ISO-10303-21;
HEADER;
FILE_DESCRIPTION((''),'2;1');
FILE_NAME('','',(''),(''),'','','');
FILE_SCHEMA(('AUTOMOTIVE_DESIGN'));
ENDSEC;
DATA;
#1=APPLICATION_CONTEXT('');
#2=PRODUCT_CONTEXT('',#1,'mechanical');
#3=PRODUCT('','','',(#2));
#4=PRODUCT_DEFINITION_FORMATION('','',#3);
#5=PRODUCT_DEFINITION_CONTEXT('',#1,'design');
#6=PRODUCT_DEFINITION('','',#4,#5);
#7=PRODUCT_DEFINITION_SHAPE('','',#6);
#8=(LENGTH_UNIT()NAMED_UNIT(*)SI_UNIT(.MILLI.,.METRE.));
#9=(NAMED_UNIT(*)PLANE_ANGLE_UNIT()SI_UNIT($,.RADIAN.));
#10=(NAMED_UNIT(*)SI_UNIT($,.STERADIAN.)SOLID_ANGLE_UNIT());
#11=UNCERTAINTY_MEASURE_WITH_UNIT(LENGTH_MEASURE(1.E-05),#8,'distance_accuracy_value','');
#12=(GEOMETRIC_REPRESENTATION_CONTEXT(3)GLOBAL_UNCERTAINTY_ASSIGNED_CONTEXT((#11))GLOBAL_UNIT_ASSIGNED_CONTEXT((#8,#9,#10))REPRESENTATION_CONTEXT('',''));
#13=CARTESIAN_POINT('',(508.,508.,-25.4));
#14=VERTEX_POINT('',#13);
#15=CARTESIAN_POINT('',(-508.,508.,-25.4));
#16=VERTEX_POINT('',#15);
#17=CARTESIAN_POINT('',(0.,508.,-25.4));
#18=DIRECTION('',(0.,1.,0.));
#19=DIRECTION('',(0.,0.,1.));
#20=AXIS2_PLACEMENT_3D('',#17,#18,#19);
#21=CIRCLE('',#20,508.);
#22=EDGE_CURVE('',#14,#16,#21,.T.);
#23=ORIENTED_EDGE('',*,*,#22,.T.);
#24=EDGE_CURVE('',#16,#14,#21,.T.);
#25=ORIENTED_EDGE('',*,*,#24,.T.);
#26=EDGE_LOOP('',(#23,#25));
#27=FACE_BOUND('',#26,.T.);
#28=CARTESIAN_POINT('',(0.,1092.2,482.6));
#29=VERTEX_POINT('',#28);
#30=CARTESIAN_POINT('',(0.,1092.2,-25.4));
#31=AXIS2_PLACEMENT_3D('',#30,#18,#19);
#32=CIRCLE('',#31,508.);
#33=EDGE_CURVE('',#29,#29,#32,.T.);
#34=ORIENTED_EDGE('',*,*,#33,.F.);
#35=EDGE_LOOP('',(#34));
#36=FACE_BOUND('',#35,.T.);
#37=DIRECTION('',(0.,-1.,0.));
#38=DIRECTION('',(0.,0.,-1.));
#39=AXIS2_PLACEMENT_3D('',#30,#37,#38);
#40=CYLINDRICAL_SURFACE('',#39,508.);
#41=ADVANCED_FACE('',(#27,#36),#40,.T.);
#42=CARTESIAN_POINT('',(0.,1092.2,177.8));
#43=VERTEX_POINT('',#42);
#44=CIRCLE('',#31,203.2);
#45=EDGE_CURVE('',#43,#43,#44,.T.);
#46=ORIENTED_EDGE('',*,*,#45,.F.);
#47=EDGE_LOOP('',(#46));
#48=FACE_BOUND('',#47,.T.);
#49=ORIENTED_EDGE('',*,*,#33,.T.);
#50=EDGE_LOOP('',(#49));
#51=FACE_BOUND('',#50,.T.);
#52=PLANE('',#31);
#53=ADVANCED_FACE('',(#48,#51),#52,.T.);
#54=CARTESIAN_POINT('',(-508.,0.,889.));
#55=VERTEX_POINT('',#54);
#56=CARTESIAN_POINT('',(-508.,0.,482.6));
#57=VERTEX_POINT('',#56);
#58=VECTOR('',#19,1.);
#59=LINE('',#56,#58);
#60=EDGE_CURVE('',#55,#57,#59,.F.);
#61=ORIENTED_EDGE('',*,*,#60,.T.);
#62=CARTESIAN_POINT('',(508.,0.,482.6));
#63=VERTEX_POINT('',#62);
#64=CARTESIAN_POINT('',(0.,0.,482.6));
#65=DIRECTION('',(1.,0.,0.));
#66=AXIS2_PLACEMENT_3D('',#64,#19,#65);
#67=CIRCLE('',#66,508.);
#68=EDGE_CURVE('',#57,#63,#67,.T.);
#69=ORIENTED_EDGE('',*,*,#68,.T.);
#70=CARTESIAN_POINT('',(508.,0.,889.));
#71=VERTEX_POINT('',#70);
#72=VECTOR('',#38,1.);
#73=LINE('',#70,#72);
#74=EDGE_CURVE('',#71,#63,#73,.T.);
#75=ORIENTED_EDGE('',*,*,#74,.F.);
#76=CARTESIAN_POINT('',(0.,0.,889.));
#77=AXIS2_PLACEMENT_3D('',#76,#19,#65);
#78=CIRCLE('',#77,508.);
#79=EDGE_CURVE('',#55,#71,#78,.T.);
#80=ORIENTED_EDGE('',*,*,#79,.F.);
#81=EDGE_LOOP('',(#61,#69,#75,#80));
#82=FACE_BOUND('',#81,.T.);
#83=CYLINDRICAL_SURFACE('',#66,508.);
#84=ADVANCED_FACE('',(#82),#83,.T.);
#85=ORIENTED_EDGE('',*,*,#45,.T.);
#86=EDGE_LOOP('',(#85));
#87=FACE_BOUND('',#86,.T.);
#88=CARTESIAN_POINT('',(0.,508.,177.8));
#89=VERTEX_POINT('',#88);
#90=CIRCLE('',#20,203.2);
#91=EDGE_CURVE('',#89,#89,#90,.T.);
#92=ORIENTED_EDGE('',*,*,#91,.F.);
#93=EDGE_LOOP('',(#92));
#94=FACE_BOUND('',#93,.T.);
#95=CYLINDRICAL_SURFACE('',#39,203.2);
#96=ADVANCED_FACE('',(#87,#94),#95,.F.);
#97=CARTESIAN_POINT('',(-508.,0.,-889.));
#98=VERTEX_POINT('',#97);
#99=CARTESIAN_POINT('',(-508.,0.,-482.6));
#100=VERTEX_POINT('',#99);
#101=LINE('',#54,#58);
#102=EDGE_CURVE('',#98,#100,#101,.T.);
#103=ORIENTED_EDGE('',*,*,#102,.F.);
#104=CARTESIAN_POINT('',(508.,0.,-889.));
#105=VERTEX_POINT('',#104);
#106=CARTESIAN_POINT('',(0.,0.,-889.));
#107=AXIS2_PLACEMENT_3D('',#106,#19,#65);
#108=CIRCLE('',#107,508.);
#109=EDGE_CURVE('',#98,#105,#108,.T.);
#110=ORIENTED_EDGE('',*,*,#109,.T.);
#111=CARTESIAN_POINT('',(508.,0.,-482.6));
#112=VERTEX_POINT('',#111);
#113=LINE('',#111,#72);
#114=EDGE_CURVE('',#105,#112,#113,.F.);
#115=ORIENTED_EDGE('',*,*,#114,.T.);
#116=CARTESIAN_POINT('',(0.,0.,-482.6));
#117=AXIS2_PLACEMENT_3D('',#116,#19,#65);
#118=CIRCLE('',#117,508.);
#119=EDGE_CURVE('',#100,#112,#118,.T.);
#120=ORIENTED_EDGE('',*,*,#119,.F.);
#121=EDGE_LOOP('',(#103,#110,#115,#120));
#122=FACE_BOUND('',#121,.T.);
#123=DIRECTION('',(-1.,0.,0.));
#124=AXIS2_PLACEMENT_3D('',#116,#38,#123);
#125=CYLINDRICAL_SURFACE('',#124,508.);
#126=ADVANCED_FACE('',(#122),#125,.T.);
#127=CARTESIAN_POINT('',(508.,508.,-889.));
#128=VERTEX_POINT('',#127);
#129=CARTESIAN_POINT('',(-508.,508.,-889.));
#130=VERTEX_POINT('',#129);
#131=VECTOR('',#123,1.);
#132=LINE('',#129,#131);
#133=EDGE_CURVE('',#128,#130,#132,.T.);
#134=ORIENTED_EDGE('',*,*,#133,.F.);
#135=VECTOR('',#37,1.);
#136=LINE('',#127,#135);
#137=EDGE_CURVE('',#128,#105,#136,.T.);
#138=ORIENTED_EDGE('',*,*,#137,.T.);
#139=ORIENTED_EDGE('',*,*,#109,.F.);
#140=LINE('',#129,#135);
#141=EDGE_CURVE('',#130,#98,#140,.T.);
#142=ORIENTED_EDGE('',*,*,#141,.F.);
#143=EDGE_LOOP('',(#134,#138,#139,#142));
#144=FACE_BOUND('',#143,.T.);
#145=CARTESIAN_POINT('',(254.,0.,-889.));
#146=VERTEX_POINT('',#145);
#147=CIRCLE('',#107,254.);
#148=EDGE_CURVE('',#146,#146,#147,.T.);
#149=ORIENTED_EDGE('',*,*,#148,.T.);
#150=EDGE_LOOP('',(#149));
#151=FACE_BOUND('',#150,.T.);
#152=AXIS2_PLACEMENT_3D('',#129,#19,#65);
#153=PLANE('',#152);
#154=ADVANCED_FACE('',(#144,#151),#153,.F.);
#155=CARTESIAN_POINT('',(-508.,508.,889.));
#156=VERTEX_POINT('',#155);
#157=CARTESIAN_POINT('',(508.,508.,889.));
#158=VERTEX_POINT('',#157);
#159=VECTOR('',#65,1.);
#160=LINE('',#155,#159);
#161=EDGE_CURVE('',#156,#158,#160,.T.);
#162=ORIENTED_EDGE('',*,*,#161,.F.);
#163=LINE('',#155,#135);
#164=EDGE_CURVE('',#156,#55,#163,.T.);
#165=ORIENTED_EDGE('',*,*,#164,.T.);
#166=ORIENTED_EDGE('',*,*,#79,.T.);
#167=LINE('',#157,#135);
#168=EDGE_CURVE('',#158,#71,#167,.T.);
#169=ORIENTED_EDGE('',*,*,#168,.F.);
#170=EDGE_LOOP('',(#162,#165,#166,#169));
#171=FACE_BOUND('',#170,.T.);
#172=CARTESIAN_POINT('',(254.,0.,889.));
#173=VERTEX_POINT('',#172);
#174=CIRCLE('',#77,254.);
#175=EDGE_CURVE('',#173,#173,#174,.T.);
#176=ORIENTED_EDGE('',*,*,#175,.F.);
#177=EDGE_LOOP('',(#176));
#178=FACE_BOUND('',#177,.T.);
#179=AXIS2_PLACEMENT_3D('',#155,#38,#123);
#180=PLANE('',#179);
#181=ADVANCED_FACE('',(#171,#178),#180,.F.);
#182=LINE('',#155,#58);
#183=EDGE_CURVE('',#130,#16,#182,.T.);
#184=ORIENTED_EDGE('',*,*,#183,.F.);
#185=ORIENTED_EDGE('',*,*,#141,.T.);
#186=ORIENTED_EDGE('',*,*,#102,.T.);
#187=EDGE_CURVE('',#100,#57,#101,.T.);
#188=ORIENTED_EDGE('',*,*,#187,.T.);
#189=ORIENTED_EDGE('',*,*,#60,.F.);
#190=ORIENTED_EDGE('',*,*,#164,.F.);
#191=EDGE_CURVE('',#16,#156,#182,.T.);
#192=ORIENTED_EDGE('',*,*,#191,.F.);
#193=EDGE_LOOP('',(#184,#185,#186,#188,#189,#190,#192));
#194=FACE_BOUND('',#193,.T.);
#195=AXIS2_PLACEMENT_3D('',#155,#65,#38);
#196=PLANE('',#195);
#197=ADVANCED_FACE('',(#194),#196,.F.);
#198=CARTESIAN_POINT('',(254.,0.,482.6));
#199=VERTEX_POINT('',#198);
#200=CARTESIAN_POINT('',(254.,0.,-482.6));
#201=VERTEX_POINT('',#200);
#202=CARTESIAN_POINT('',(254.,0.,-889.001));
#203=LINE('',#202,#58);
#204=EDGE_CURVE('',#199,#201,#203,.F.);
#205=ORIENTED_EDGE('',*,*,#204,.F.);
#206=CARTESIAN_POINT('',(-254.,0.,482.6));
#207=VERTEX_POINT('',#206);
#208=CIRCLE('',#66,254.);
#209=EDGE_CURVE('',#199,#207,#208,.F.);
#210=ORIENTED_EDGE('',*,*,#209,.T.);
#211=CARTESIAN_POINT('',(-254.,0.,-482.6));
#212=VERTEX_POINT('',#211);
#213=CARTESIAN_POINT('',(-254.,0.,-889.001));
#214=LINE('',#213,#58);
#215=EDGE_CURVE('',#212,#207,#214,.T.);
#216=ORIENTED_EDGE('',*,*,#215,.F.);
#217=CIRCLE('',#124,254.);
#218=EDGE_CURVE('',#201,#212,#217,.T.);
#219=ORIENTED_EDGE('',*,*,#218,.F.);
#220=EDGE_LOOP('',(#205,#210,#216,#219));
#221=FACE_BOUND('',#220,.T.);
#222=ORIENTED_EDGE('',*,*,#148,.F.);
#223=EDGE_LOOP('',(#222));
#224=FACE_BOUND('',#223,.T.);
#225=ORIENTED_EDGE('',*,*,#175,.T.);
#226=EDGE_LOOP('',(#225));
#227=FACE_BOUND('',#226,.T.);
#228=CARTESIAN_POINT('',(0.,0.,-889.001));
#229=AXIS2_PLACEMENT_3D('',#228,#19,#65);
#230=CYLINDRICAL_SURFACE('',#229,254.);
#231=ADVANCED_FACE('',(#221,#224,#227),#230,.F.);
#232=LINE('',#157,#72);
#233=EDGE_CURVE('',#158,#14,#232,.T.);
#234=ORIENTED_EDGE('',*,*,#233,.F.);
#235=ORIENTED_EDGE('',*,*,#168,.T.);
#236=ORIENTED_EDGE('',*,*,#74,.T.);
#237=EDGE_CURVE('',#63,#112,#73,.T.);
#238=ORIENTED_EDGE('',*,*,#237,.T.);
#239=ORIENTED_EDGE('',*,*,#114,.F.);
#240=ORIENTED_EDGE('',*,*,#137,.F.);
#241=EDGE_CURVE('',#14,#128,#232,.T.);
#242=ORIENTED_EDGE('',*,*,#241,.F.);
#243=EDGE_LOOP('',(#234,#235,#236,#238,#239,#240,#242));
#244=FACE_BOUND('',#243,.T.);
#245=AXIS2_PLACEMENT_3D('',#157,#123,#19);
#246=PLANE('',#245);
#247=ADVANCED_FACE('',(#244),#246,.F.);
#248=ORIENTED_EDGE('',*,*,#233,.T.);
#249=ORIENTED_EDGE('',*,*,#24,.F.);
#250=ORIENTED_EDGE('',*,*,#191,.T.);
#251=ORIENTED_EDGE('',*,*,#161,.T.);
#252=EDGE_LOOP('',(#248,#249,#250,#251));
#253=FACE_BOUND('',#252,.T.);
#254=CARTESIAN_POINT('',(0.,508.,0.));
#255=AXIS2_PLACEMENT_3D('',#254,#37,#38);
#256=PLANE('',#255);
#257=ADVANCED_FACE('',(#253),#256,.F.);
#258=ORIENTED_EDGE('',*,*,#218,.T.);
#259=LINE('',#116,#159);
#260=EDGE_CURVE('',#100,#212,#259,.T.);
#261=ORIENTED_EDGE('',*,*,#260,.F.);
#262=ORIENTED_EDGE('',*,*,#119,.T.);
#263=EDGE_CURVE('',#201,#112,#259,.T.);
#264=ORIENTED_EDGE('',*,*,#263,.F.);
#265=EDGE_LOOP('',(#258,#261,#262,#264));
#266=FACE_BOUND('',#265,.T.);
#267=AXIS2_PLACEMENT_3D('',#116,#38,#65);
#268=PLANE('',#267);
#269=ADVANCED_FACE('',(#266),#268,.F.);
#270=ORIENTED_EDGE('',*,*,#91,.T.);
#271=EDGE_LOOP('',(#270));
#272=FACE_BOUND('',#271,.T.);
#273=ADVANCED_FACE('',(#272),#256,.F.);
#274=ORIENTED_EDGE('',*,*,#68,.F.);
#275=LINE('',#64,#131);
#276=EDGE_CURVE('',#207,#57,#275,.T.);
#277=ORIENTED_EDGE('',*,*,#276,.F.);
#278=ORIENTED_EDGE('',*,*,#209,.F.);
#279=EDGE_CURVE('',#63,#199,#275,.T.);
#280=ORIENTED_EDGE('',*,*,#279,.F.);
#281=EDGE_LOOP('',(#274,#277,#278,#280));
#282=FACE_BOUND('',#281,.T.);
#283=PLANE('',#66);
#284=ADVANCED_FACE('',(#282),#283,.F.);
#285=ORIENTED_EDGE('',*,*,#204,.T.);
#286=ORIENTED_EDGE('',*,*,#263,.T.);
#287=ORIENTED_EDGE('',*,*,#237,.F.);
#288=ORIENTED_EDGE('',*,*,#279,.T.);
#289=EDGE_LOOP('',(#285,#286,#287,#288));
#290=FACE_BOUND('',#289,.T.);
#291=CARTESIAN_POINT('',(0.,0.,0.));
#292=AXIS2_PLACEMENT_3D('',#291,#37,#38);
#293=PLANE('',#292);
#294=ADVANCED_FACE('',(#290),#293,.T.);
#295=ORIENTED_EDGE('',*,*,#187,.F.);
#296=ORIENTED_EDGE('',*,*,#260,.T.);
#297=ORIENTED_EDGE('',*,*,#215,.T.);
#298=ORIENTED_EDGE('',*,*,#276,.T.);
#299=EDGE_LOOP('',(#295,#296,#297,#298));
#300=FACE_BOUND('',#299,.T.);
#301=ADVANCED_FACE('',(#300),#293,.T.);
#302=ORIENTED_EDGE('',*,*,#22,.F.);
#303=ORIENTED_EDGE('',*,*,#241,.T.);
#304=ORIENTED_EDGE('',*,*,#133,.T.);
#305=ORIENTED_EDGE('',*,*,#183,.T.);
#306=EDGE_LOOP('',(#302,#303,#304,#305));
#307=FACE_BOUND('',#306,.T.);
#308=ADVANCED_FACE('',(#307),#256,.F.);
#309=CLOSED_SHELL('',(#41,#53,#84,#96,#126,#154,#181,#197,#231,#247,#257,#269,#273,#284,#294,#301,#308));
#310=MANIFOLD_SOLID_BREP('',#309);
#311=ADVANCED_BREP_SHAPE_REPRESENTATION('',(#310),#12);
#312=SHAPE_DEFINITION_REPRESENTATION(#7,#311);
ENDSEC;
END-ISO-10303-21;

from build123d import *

# Parameters (mm, degrees)
SKETCH1_W           = 1016
SKETCH1_H           = 1778
BOSS_EXTRUDE1_DEPTH = 508
SKETCH2_R           = 508
SKETCH2_R_2         = 203.2
BOSS_EXTRUDE2_DEPTH = 584.2
SKETCH3_R           = 508
BOSS_EXTRUDE3_DEPTH = 406.4
CUT_EXTRUDE1_REACH  = 2149.615
SKETCH5_R           = 254


with BuildPart() as part:
    # Sketch1 → Boss-Extrude1 (new body)
    with BuildSketch(Plane(origin=(0, 0, 0), x_dir=(1, 0, 0), z_dir=(0, 1, 0))):
        Rectangle(SKETCH1_W, SKETCH1_H)
    extrude(amount=BOSS_EXTRUDE1_DEPTH)

    # Sketch2 → Boss-Extrude2 (add)
    with BuildSketch(Plane(origin=(0, 508, 0), x_dir=(1, 0, 0), z_dir=(0, 1, 0))):
        with Locations(Location((0, 25.4, 0), (0, 0, 180))):
            Circle(SKETCH2_R)
        with Locations(Location((0, 25.4, 0), (0, 0, 270))):
            Circle(SKETCH2_R_2, mode=Mode.SUBTRACT)
    extrude(amount=BOSS_EXTRUDE2_DEPTH)

    # Sketch3 → Boss-Extrude3 (add)
    with BuildSketch(Plane.XY.offset(889)):
        Circle(SKETCH3_R)
    boss_extrude3 = extrude(amount=-BOSS_EXTRUDE3_DEPTH)

    # Sketch5 → Cut-Extrude1 (cut, up to next)
    with BuildSketch(Plane.XY.offset(889), mode=Mode.PRIVATE) as cut_extrude1_sk1:
        Circle(SKETCH5_R)
    cut_extrude1_tool1 = extrude(cut_extrude1_sk1.sketch, amount=-CUT_EXTRUDE1_REACH, mode=Mode.PRIVATE) & part.part
    cut_extrude1 = cut_extrude1_tool1.solids().sort_by_distance((0, 0, 889))[0]
    add(cut_extrude1, mode=Mode.SUBTRACT)

    # Mirror1: Boss-Extrude3, Cut-Extrude1 across plane
    add(boss_extrude3.mirror(Plane.XY))
    add(cut_extrude1.mirror(Plane.XY), mode=Mode.SUBTRACT)


solid = part.part
